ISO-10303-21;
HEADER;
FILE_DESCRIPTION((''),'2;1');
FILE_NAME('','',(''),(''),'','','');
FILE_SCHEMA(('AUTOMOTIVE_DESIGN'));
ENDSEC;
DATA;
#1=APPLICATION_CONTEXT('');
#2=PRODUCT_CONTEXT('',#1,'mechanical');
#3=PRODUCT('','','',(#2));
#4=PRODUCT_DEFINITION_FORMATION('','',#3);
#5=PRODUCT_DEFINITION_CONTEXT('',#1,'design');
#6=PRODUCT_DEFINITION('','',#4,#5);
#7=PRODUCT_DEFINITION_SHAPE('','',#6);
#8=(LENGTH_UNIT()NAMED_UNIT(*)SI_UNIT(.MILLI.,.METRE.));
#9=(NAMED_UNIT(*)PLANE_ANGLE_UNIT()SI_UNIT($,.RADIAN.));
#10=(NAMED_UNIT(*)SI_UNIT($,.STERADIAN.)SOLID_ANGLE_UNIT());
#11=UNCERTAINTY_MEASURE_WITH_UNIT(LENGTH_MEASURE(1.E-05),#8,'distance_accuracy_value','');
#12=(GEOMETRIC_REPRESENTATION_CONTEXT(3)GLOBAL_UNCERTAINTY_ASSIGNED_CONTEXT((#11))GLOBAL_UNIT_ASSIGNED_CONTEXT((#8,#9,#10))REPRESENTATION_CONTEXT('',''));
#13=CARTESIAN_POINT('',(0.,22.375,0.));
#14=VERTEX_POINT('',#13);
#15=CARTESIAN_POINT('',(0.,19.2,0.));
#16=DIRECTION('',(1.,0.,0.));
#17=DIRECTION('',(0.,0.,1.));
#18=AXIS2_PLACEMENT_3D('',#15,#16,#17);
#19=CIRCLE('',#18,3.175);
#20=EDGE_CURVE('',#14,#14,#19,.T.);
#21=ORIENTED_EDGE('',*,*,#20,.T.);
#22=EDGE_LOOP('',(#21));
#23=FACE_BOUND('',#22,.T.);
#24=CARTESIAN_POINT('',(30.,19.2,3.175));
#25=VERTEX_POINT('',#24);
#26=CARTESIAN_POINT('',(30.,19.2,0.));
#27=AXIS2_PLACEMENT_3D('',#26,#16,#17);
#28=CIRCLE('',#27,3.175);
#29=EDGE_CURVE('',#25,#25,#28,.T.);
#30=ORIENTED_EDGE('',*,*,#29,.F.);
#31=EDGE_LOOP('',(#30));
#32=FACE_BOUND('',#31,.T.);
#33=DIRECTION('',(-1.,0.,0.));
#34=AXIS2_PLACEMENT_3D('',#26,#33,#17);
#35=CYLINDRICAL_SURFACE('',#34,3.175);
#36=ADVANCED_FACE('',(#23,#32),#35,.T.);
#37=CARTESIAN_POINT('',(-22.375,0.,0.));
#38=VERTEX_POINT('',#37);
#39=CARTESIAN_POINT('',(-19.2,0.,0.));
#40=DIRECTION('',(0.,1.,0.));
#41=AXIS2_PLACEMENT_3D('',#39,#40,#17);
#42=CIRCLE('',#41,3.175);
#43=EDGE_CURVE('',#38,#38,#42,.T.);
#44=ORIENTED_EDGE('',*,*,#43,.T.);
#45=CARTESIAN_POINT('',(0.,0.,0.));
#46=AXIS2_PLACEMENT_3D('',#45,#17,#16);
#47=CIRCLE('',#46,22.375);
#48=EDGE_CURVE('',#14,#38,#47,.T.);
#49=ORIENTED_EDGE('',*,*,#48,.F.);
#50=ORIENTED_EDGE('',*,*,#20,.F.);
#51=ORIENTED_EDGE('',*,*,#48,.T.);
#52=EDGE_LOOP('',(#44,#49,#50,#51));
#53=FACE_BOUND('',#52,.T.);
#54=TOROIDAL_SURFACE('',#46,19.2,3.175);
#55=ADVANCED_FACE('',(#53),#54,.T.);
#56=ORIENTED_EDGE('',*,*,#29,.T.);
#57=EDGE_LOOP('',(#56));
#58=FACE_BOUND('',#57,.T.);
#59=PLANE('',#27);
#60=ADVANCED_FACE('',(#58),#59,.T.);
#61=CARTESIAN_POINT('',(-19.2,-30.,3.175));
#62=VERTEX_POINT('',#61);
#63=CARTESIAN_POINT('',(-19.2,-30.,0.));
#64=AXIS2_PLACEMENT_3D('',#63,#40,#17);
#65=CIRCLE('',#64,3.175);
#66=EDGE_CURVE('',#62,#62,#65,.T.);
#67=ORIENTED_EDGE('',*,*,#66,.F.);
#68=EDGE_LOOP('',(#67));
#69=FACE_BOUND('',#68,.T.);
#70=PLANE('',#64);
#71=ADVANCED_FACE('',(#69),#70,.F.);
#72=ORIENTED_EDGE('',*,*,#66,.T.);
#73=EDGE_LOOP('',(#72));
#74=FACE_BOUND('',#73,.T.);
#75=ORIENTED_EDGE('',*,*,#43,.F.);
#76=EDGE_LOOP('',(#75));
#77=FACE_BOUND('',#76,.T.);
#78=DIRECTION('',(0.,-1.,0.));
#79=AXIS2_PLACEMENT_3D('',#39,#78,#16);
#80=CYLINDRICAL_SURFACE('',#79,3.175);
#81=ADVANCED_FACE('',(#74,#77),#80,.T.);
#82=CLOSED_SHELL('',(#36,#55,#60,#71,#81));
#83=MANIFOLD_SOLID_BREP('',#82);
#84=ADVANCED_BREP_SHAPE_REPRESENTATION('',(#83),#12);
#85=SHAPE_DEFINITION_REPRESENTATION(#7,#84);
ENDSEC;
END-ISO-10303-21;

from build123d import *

# Parameters (mm, degrees)
BALAYAGE1_PROFILE_R = 3.175


with BuildPart() as part:
    # Balayage1: sweep along a path in Esquisse1
    with BuildLine(Plane.XY) as balayage1_path:
        Line((30, 19.2), (0, 19.2))
        ThreePointArc((0, 19.2), (-13.576450199, 13.576450199), (-19.2, 0))
        Line((-19.2, 0), (-19.2, -30))
    # Balayage1 profile (on start of the path) → Balayage1 (sweep)
    with BuildSketch(Plane(origin=(30, 19.2, 0), x_dir=(0, 0, -1), z_dir=(-1, 0, 0))):
        Circle(BALAYAGE1_PROFILE_R)
    sweep(path=balayage1_path.line)


solid = part.part
